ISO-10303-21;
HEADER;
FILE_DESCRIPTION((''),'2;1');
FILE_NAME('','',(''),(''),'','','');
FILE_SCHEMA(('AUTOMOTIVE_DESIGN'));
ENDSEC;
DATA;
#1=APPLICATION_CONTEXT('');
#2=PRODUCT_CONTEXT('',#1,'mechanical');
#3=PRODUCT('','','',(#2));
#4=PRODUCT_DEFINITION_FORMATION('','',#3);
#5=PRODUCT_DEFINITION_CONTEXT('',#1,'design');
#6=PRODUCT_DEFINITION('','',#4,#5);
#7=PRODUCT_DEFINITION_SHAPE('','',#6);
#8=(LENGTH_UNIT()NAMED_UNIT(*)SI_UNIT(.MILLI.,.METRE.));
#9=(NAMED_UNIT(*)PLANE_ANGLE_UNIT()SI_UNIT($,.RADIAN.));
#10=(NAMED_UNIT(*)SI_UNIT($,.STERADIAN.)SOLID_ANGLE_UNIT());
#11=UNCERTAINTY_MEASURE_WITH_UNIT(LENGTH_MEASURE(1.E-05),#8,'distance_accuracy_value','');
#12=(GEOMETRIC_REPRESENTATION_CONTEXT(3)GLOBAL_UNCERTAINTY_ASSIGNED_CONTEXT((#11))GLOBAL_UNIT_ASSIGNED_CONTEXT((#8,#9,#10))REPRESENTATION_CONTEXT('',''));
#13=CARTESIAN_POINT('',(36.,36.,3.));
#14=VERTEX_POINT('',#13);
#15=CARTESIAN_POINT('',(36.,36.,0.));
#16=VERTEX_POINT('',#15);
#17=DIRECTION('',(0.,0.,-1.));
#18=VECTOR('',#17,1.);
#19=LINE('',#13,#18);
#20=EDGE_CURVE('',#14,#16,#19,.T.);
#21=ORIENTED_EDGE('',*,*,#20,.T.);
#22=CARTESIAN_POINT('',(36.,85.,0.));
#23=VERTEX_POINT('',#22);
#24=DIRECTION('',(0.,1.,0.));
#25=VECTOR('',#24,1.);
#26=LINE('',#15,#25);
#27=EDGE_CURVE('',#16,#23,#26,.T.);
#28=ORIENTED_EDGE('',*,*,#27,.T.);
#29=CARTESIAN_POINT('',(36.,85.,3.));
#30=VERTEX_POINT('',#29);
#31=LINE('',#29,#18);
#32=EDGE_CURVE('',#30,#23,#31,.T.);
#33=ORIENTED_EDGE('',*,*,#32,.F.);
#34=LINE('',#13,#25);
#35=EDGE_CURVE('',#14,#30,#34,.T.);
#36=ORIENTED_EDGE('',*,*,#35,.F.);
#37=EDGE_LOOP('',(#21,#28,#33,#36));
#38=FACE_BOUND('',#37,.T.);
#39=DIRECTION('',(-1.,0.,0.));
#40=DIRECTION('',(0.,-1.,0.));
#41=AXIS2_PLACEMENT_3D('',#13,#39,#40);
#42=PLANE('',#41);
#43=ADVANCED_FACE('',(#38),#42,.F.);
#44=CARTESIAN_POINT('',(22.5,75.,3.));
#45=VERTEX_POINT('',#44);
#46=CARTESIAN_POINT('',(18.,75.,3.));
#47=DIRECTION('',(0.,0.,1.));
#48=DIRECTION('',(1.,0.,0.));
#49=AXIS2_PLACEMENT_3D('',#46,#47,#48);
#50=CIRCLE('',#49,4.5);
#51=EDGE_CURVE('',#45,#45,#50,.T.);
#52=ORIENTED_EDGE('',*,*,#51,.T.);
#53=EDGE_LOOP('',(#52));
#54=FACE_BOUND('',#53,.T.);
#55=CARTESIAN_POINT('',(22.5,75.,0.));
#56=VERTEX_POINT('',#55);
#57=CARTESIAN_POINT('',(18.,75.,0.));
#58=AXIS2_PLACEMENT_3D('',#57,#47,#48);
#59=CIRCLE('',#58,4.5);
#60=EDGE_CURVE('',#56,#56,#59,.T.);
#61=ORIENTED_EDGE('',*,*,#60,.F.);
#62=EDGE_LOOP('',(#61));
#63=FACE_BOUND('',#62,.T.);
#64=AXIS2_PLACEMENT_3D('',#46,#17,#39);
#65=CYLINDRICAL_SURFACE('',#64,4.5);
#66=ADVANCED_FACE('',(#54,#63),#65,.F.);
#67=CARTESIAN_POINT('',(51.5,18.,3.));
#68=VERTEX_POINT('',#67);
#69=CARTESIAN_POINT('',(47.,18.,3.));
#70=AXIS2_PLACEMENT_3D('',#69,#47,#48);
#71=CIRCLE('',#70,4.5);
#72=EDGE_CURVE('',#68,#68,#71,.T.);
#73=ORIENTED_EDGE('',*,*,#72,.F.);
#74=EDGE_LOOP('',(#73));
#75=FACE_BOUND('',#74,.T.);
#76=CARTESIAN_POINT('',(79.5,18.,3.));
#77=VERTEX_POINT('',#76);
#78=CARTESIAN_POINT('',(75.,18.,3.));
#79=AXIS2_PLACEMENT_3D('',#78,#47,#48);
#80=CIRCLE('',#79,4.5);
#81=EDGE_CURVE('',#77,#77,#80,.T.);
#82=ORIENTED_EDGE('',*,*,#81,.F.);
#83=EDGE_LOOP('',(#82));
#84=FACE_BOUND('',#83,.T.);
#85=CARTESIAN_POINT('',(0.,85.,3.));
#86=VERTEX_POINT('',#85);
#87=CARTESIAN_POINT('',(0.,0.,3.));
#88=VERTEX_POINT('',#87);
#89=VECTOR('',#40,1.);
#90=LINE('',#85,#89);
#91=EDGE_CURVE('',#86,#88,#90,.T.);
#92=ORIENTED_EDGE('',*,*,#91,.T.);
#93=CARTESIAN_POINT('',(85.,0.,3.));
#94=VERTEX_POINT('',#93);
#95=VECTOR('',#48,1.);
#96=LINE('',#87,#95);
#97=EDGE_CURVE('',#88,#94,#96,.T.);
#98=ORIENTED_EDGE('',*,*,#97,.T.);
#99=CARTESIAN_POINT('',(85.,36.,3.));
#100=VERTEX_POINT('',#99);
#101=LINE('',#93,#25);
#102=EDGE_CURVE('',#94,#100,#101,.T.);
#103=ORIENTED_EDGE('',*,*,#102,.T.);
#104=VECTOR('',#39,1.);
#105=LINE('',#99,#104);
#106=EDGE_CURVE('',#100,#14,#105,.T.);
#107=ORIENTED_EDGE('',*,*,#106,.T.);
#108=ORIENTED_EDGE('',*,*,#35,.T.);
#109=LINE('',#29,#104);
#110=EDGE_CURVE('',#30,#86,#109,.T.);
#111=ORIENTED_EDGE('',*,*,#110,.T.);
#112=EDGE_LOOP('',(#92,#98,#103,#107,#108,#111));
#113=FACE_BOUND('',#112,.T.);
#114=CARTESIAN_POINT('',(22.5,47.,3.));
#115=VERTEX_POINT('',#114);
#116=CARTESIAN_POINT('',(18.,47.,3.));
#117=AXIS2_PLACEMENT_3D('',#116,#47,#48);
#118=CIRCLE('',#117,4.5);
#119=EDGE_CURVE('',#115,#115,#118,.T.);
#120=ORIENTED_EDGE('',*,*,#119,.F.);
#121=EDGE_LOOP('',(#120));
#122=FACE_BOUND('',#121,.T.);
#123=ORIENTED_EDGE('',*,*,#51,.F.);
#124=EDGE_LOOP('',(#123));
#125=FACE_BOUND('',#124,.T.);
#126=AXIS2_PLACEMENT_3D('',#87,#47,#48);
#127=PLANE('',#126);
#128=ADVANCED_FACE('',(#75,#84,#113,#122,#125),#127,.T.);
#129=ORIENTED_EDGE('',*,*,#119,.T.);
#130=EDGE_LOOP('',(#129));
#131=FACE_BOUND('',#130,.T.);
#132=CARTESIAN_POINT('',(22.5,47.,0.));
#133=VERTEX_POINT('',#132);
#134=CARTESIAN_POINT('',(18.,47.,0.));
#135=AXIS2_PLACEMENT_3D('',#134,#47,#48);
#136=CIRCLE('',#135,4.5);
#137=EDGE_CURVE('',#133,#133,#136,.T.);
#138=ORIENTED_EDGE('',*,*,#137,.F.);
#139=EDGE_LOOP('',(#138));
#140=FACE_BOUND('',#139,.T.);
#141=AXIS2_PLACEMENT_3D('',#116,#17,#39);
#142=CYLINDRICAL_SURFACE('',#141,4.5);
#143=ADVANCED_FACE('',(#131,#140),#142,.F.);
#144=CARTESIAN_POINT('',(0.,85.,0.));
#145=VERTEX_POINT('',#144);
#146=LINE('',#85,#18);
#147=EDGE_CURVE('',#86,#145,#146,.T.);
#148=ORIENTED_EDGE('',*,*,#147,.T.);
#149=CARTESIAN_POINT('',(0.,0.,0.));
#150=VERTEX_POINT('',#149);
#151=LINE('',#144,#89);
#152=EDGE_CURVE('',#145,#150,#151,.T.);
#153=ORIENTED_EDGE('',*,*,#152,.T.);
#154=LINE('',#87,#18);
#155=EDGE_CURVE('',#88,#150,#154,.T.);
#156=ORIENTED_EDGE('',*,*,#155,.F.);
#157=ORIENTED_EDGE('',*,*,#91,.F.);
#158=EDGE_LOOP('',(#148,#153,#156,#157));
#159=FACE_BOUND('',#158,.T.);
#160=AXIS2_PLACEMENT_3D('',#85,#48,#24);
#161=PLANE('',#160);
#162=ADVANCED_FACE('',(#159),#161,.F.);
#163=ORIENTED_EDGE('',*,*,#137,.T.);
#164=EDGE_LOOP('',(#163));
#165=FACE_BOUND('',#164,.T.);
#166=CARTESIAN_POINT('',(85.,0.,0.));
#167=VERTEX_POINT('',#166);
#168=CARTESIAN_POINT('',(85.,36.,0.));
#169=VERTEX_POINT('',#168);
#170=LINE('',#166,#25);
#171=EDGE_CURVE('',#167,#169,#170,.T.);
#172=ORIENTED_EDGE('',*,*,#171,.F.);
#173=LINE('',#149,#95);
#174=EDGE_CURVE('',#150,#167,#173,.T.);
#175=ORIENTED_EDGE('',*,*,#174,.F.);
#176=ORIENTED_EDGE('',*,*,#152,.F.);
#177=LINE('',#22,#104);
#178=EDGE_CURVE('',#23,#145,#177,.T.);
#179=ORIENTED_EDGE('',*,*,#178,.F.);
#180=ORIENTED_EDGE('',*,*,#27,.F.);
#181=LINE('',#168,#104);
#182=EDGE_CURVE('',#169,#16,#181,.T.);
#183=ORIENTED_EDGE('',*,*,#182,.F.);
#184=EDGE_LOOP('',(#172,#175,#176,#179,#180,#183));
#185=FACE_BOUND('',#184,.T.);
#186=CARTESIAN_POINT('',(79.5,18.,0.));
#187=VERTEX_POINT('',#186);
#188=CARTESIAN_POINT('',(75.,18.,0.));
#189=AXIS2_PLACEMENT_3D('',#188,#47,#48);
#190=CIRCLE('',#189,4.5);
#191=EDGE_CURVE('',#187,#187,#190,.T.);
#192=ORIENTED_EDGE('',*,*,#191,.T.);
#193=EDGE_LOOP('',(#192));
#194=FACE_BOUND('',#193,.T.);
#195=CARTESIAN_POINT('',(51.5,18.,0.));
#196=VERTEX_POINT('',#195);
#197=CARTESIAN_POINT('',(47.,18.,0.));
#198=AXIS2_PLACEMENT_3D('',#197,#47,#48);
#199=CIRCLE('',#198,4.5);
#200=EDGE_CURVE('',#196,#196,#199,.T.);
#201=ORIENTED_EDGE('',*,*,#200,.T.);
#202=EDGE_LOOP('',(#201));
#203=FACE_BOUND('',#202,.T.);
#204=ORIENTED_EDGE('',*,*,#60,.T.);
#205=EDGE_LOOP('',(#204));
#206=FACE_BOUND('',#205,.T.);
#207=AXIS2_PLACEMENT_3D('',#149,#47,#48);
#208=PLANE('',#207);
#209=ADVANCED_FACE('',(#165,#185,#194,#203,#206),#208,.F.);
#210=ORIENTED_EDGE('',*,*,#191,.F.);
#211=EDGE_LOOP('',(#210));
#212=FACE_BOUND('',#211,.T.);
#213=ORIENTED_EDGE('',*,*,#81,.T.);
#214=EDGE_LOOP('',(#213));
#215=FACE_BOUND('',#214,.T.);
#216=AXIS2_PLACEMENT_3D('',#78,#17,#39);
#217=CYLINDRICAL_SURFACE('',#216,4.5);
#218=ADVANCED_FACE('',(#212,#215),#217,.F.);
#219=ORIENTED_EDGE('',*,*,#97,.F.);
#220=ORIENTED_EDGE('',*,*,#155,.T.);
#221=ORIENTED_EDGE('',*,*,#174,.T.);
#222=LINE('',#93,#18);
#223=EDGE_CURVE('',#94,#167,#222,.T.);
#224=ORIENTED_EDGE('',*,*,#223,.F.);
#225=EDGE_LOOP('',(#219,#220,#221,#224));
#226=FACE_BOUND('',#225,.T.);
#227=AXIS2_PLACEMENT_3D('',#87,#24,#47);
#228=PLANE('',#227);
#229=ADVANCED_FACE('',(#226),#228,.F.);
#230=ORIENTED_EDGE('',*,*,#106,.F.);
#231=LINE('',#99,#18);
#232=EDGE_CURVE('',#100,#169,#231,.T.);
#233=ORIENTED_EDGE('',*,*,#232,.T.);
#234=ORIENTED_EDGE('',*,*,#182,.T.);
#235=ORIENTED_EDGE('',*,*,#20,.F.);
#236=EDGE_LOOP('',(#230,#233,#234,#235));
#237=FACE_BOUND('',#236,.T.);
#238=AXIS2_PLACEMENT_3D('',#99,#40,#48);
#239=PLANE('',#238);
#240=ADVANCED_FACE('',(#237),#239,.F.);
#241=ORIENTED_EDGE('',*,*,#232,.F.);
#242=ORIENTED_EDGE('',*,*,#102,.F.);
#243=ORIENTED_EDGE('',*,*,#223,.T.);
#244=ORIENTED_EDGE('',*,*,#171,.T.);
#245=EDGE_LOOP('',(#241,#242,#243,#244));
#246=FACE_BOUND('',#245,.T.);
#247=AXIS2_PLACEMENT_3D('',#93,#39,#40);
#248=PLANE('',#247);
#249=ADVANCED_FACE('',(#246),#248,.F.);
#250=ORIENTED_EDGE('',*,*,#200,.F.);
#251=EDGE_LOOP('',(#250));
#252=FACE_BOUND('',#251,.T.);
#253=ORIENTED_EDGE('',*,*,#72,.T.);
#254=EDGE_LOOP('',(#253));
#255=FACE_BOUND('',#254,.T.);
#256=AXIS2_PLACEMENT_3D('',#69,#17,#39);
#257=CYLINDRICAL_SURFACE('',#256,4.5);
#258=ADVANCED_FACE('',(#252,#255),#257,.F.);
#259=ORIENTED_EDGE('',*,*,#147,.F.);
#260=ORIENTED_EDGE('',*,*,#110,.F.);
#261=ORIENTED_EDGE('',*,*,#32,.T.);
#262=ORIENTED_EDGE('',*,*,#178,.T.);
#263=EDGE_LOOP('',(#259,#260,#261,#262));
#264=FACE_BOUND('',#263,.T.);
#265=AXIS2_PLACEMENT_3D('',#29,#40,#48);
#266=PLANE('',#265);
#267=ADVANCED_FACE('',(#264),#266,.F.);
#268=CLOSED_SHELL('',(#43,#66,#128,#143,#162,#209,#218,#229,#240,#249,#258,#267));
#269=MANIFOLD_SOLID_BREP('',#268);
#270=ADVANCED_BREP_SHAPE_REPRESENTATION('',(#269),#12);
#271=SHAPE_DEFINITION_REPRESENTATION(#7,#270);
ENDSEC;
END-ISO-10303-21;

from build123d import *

# Parameters (mm, degrees)
SKETCH_1_R      = 4.5
EXTRUDE_1_DEPTH = 3


with BuildPart() as part:
    # Эскиз1 → Бобышка-Вытянуть1 (new body)
    with BuildSketch(Plane.XY):
        Polygon((0, 85), (0, 0), (85, 0), (85, 36), (36, 36), (36, 85), align=None)
        with Locations((18, 75)):
            Circle(SKETCH_1_R, mode=Mode.SUBTRACT)
        with Locations((18, 47)):
            Circle(SKETCH_1_R, mode=Mode.SUBTRACT)
        with Locations((47, 18)):
            Circle(SKETCH_1_R, mode=Mode.SUBTRACT)
        with Locations((75, 18)):
            Circle(SKETCH_1_R, mode=Mode.SUBTRACT)
    extrude(amount=EXTRUDE_1_DEPTH)


solid = part.part
